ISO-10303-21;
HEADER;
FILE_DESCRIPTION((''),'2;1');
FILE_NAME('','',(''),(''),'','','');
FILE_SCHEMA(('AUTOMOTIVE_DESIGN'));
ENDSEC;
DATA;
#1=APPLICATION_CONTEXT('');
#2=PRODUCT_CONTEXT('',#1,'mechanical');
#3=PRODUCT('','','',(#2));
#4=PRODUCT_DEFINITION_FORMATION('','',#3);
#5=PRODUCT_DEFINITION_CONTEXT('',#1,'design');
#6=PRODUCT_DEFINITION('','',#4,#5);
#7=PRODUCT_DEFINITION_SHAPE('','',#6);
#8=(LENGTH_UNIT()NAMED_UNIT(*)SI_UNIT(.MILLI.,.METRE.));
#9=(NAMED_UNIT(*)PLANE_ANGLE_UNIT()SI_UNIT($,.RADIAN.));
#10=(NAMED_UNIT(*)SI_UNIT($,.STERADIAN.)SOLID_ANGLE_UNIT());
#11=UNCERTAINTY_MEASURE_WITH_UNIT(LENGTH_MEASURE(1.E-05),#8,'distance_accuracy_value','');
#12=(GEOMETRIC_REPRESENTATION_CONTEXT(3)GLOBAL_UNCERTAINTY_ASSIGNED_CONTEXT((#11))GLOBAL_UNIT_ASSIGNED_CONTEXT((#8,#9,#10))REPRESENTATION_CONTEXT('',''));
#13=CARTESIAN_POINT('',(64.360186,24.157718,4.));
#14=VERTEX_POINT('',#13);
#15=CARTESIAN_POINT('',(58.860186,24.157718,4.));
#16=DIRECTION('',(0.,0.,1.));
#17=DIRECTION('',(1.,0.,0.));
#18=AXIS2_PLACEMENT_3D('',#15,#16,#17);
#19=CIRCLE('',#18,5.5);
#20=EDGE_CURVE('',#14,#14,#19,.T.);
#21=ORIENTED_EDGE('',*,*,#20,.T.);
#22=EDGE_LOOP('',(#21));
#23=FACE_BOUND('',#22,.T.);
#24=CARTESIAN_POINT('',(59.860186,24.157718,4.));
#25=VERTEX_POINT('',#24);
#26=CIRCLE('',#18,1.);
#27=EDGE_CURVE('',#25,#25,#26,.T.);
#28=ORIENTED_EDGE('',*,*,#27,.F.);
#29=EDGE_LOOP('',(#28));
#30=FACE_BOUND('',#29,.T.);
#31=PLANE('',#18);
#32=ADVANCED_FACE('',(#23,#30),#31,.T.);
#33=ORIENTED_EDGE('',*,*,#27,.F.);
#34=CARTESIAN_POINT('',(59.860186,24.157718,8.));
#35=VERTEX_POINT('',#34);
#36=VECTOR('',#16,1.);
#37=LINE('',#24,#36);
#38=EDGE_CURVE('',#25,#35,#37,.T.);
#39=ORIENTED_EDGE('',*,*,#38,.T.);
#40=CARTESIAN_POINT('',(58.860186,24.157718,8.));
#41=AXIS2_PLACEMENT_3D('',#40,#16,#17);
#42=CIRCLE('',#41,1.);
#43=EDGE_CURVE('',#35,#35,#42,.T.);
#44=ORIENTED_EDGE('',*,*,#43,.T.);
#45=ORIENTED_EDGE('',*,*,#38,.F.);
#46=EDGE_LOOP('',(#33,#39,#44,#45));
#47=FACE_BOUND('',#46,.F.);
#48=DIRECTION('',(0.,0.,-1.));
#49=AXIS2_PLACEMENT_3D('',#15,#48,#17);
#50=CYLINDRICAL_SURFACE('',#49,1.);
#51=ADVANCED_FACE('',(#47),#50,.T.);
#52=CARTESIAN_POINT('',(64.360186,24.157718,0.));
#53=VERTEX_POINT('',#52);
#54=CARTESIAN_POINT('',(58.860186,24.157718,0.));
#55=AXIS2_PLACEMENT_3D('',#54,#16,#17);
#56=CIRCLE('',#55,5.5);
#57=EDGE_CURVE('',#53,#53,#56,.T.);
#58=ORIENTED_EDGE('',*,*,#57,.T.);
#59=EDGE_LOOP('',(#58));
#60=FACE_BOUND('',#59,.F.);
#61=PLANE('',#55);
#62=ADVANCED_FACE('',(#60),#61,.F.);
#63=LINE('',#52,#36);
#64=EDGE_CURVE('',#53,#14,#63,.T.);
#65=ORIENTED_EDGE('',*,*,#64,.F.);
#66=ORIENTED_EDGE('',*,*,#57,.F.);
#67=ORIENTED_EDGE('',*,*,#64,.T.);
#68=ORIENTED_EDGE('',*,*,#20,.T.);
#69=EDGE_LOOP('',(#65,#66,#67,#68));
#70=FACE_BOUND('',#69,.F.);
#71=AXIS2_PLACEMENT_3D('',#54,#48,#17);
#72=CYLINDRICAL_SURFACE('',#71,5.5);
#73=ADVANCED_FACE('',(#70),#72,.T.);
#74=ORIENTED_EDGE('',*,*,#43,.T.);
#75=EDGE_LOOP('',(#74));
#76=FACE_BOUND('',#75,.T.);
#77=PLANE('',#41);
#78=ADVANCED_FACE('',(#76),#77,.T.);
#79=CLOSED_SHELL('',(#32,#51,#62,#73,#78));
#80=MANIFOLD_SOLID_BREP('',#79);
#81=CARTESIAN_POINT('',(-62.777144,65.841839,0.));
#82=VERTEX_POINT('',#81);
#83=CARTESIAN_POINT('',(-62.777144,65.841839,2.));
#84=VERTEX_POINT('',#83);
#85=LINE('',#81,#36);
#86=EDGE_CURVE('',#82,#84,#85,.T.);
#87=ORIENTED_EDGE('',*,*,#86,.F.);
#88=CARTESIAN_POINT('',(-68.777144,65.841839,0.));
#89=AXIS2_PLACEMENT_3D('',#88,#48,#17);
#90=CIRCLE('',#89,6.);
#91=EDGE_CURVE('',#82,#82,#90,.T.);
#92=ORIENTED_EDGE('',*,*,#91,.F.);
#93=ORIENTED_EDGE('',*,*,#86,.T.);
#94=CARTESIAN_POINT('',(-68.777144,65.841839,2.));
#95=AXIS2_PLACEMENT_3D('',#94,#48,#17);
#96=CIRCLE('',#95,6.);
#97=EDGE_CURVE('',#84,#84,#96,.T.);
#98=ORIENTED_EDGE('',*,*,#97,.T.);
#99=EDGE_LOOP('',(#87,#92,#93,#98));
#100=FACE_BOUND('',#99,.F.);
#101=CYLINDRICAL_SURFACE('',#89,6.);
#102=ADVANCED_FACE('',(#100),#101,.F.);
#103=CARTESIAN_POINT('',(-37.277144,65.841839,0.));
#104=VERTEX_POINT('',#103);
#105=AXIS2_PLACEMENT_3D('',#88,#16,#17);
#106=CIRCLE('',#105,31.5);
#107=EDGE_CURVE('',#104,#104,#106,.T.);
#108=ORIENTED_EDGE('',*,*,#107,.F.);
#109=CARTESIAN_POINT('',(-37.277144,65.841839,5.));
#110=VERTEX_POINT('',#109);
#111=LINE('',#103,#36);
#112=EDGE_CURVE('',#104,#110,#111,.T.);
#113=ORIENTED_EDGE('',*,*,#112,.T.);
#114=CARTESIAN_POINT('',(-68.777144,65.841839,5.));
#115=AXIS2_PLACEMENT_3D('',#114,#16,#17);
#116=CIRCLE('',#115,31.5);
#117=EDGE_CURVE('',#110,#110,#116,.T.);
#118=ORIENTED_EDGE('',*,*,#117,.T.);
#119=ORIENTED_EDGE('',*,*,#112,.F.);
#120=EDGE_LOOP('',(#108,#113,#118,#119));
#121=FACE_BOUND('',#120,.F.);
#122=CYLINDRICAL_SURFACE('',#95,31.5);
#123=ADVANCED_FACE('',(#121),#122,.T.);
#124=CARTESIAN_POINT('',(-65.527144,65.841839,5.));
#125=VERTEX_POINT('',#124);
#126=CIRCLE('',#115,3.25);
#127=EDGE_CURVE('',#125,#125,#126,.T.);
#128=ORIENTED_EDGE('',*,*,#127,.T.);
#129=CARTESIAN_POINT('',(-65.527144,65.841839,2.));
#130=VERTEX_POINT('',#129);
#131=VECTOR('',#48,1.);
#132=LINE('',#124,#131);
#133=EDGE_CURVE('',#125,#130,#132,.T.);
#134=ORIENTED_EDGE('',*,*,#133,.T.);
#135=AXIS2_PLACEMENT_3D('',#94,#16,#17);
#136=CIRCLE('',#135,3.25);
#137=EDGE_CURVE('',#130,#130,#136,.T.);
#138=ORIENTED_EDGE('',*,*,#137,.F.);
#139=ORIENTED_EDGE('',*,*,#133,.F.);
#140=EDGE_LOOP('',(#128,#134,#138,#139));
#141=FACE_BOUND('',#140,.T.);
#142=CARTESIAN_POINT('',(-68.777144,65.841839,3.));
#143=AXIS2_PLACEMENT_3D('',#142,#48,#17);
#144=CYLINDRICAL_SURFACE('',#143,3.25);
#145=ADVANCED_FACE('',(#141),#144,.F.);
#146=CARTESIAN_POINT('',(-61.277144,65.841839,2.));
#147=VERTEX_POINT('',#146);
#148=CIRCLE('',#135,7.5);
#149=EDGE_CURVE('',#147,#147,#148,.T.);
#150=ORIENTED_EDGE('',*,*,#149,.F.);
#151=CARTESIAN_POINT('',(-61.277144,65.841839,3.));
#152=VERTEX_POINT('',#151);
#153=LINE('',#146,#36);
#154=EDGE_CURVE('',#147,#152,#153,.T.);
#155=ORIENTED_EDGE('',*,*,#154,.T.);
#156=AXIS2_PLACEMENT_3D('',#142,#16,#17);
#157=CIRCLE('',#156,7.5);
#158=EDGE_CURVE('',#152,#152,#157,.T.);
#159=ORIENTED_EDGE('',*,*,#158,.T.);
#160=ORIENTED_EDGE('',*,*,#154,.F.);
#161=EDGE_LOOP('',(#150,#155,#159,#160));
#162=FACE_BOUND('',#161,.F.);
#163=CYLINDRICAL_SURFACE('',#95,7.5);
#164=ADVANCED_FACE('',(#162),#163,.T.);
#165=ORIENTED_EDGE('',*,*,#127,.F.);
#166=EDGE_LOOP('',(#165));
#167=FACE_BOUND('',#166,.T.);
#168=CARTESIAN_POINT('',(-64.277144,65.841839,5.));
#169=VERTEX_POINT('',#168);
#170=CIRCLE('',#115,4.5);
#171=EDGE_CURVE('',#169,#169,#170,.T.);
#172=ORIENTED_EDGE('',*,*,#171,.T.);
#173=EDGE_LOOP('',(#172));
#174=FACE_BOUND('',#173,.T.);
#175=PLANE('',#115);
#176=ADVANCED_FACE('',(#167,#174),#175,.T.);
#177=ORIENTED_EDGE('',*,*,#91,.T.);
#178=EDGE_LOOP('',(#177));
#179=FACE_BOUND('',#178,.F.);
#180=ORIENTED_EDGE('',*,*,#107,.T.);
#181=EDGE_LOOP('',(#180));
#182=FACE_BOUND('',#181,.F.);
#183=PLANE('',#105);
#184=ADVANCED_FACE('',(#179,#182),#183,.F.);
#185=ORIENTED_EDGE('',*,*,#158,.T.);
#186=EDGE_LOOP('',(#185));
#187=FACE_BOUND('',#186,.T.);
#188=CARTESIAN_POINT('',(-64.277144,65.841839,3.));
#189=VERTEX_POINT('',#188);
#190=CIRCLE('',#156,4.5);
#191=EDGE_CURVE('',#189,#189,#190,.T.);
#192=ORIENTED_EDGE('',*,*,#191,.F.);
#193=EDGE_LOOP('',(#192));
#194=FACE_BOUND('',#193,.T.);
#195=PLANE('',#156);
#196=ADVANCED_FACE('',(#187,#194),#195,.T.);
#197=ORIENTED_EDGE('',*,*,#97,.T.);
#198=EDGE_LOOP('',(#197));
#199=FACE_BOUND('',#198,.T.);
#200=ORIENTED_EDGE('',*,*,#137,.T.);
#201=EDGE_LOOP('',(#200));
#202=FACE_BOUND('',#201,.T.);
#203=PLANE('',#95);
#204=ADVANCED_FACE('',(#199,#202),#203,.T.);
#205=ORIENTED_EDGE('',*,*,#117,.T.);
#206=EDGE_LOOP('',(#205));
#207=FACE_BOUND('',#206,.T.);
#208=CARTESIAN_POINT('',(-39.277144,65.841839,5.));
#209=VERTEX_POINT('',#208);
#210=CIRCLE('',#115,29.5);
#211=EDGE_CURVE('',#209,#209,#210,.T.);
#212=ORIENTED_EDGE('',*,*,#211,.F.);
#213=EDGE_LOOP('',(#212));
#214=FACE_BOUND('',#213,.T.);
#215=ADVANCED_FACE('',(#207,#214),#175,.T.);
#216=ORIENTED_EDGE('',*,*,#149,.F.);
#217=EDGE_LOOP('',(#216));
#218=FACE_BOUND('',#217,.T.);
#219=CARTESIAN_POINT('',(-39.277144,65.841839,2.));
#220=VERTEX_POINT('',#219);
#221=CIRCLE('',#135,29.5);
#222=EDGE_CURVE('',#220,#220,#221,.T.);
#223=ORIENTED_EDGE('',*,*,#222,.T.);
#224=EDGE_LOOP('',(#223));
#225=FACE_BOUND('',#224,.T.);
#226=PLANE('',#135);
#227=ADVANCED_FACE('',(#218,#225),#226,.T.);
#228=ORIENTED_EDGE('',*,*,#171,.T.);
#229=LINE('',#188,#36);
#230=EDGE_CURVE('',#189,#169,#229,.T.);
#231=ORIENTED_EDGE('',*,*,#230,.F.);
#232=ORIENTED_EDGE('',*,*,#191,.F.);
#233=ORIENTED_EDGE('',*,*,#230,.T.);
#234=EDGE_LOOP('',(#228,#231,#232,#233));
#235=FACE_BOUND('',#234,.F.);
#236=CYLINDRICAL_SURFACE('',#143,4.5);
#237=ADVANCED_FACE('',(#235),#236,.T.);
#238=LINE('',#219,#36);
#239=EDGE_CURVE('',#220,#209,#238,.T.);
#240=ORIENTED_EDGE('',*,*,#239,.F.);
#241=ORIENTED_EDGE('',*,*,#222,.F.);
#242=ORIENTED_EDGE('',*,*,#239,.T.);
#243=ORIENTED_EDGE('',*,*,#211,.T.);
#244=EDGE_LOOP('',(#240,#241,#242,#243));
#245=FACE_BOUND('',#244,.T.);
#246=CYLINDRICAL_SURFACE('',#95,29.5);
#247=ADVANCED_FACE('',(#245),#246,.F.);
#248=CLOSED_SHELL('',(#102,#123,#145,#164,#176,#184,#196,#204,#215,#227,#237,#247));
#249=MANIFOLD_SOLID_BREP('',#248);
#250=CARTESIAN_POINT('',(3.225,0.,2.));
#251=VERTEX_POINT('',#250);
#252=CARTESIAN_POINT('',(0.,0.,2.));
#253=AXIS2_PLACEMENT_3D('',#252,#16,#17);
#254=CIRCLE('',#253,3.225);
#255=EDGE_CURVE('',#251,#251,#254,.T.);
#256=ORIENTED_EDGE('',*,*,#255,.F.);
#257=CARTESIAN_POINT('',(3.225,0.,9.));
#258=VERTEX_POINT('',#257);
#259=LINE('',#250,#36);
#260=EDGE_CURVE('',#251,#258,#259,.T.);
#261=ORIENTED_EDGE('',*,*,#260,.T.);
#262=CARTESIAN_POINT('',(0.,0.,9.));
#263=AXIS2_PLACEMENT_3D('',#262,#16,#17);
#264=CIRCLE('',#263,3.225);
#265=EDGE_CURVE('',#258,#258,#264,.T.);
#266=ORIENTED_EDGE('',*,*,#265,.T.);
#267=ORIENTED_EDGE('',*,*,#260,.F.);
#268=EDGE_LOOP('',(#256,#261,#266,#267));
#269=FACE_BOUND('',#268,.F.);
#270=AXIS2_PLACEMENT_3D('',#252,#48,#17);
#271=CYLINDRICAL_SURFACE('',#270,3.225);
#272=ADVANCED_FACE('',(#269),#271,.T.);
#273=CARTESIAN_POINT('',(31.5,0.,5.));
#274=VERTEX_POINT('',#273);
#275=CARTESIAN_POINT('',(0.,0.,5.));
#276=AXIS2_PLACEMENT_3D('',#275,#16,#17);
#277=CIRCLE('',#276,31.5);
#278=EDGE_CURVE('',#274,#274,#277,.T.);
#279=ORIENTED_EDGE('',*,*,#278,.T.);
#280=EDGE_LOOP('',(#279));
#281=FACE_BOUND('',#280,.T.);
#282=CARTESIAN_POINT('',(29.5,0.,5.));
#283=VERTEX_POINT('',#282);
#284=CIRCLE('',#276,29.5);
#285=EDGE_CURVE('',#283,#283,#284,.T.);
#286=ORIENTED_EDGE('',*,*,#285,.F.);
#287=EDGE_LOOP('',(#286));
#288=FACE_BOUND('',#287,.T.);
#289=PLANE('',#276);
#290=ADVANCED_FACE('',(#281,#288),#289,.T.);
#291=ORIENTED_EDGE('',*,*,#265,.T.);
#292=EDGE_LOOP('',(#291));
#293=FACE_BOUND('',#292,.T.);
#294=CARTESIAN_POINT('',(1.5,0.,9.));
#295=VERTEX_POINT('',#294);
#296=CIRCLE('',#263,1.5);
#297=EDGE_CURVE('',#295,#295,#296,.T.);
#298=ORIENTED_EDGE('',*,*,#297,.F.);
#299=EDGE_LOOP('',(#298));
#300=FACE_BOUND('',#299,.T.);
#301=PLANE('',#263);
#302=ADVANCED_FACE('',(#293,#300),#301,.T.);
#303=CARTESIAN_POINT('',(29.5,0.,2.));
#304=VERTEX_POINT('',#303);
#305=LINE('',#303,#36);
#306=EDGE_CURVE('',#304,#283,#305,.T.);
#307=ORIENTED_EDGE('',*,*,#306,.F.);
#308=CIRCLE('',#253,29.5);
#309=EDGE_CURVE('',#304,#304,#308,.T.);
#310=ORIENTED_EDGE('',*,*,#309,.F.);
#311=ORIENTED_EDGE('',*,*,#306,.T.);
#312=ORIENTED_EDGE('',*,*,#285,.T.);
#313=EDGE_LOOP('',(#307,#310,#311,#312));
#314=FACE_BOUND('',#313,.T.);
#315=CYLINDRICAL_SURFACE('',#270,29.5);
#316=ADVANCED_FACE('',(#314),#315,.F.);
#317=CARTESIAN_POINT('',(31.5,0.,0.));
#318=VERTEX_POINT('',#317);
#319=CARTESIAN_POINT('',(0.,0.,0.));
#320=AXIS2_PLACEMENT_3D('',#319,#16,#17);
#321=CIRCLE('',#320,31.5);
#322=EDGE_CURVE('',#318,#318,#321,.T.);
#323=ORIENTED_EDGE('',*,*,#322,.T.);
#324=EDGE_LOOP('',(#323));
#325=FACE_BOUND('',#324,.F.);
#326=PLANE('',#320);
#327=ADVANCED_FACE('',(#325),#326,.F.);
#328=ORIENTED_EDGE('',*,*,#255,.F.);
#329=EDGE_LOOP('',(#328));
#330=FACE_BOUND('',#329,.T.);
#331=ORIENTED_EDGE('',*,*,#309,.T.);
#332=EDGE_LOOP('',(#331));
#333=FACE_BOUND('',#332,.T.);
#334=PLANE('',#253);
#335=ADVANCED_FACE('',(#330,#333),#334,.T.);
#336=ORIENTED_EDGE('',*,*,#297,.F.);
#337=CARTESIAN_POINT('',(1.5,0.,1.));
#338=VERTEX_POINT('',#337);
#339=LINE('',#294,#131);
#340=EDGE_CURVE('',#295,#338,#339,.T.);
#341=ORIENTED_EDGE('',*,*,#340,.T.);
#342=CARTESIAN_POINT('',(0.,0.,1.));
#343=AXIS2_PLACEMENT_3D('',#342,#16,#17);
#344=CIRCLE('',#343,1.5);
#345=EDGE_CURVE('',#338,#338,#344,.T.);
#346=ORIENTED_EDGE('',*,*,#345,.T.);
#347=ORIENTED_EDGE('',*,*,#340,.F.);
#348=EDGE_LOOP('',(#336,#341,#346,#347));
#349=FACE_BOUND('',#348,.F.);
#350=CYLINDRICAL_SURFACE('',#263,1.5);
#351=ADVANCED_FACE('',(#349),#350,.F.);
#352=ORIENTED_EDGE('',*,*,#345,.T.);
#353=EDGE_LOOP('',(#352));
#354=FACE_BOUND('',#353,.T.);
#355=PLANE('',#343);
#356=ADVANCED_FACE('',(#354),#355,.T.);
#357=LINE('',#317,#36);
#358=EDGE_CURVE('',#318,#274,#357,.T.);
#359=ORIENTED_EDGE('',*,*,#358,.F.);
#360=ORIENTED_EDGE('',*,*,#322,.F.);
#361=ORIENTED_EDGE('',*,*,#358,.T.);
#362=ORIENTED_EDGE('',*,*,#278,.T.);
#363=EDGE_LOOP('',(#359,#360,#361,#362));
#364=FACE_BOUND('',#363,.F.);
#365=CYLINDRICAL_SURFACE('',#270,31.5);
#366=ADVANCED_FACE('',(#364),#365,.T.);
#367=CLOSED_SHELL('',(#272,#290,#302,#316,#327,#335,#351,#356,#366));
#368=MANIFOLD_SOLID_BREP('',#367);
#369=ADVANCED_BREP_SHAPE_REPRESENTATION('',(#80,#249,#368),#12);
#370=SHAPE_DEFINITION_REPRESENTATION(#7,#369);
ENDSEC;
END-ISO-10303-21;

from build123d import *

# Parameters (mm, degrees)
F0_R      = 31.5
F1_DEPTH  = 2
F2_R      = 3.225
F3_DEPTH  = 7
F4_R      = 31.5
F4_R_2    = 29.5
F5_DEPTH  = 3
F6_R      = 1.5
F7_DEPTH  = 8
F8_R      = 31.5
F9_DEPTH  = 2
F10_R     = 31.5
F10_R_2   = 29.5
F11_DEPTH = 3
F12_R     = 3.25
F13_DEPTH = 25
F14_R     = 7.5
F14_R_2   = 3.25
F15_DEPTH = 1
F16_R     = 4.5
F16_R_2   = 3.25
F17_DEPTH = 2
F18_R     = 6
F18_R_2   = 3.25
F19_DEPTH = 2
F20_R     = 5.5
F21_DEPTH = 4
F22_R     = 1
F23_DEPTH = 4


with BuildPart() as f1:
    # F0 (on Top) → F1 (new body)
    with BuildSketch(Plane.XY):
        Circle(F0_R)
    extrude(amount=F1_DEPTH)

    # F2 (on face) → F3 (join)
    with BuildSketch(Plane.XY.offset(2)):
        Circle(F2_R)
    extrude(amount=F3_DEPTH)

    # F4 (on face) → F5 (join)
    with BuildSketch(Plane.XY.offset(2)):
        Circle(F4_R)
        Circle(F4_R_2, mode=Mode.SUBTRACT)
    extrude(amount=F5_DEPTH)

    # F6 (on face) → F7 (cut)
    with BuildSketch(Plane.XY.offset(9)):
        Circle(F6_R)
    extrude(amount=-F7_DEPTH, mode=Mode.SUBTRACT)


with BuildPart() as f9:
    # F8 (on Top) → F9 (new body)
    with BuildSketch(Plane.XY):
        with Locations((-68.7771439552, 65.8418387175)):
            Circle(F8_R)
    extrude(amount=F9_DEPTH)

    # F10 (on face) → F11 (join)
    with BuildSketch(Plane.XY.offset(2)):
        with Locations((-68.7771439552, 65.8418387175)):
            Circle(F10_R)
        with Locations((-68.7771439552, 65.8418387175)):
            Circle(F10_R_2, mode=Mode.SUBTRACT)
    extrude(amount=F11_DEPTH)

    # F12 (on face) → F13 (cut)
    with BuildSketch(Plane.XY.offset(2)):
        with Locations((-68.7771439552, 65.8418387175)):
            Circle(F12_R)
    extrude(amount=-F13_DEPTH, mode=Mode.SUBTRACT)

    # F14 (on face) → F15 (join)
    with BuildSketch(Plane.XY.offset(2)):
        with Locations((-68.7771439552, 65.8418387175)):
            Circle(F14_R)
        with Locations((-68.7771439552, 65.8418387175)):
            Circle(F14_R_2, mode=Mode.SUBTRACT)
    extrude(amount=F15_DEPTH)

    # F16 (on face) → F17 (join)
    with BuildSketch(Plane.XY.offset(3)):
        with Locations((-68.7771439552, 65.8418387175)):
            Circle(F16_R)
        with Locations((-68.7771439552, 65.8418387175)):
            Circle(F16_R_2, mode=Mode.SUBTRACT)
    extrude(amount=F17_DEPTH)

    # F18 (on face) → F19 (cut)
    with BuildSketch(Plane(origin=(0, 0, 0), x_dir=(1, 0, 0), z_dir=(0, 0, -1))):
        with Locations((-68.7771439552, -65.8418387175)):
            Circle(F18_R)
        with Locations((-68.7771439552, -65.8418387175)):
            Circle(F18_R_2, mode=Mode.SUBTRACT)
    extrude(amount=-F19_DEPTH, mode=Mode.SUBTRACT)


with BuildPart() as f21:
    # F20 (on Top) → F21 (new body)
    with BuildSketch(Plane.XY):
        with Locations((58.8601864874, 24.157717824)):
            Circle(F20_R)
    extrude(amount=F21_DEPTH)

    # F22 (on face) → F23 (join)
    with BuildSketch(Plane.XY.offset(4)):
        with Locations((58.8601864874, 24.157717824)):
            Circle(F22_R)
    extrude(amount=F23_DEPTH)


solid = Compound([f1.part, f9.part, f21.part])
